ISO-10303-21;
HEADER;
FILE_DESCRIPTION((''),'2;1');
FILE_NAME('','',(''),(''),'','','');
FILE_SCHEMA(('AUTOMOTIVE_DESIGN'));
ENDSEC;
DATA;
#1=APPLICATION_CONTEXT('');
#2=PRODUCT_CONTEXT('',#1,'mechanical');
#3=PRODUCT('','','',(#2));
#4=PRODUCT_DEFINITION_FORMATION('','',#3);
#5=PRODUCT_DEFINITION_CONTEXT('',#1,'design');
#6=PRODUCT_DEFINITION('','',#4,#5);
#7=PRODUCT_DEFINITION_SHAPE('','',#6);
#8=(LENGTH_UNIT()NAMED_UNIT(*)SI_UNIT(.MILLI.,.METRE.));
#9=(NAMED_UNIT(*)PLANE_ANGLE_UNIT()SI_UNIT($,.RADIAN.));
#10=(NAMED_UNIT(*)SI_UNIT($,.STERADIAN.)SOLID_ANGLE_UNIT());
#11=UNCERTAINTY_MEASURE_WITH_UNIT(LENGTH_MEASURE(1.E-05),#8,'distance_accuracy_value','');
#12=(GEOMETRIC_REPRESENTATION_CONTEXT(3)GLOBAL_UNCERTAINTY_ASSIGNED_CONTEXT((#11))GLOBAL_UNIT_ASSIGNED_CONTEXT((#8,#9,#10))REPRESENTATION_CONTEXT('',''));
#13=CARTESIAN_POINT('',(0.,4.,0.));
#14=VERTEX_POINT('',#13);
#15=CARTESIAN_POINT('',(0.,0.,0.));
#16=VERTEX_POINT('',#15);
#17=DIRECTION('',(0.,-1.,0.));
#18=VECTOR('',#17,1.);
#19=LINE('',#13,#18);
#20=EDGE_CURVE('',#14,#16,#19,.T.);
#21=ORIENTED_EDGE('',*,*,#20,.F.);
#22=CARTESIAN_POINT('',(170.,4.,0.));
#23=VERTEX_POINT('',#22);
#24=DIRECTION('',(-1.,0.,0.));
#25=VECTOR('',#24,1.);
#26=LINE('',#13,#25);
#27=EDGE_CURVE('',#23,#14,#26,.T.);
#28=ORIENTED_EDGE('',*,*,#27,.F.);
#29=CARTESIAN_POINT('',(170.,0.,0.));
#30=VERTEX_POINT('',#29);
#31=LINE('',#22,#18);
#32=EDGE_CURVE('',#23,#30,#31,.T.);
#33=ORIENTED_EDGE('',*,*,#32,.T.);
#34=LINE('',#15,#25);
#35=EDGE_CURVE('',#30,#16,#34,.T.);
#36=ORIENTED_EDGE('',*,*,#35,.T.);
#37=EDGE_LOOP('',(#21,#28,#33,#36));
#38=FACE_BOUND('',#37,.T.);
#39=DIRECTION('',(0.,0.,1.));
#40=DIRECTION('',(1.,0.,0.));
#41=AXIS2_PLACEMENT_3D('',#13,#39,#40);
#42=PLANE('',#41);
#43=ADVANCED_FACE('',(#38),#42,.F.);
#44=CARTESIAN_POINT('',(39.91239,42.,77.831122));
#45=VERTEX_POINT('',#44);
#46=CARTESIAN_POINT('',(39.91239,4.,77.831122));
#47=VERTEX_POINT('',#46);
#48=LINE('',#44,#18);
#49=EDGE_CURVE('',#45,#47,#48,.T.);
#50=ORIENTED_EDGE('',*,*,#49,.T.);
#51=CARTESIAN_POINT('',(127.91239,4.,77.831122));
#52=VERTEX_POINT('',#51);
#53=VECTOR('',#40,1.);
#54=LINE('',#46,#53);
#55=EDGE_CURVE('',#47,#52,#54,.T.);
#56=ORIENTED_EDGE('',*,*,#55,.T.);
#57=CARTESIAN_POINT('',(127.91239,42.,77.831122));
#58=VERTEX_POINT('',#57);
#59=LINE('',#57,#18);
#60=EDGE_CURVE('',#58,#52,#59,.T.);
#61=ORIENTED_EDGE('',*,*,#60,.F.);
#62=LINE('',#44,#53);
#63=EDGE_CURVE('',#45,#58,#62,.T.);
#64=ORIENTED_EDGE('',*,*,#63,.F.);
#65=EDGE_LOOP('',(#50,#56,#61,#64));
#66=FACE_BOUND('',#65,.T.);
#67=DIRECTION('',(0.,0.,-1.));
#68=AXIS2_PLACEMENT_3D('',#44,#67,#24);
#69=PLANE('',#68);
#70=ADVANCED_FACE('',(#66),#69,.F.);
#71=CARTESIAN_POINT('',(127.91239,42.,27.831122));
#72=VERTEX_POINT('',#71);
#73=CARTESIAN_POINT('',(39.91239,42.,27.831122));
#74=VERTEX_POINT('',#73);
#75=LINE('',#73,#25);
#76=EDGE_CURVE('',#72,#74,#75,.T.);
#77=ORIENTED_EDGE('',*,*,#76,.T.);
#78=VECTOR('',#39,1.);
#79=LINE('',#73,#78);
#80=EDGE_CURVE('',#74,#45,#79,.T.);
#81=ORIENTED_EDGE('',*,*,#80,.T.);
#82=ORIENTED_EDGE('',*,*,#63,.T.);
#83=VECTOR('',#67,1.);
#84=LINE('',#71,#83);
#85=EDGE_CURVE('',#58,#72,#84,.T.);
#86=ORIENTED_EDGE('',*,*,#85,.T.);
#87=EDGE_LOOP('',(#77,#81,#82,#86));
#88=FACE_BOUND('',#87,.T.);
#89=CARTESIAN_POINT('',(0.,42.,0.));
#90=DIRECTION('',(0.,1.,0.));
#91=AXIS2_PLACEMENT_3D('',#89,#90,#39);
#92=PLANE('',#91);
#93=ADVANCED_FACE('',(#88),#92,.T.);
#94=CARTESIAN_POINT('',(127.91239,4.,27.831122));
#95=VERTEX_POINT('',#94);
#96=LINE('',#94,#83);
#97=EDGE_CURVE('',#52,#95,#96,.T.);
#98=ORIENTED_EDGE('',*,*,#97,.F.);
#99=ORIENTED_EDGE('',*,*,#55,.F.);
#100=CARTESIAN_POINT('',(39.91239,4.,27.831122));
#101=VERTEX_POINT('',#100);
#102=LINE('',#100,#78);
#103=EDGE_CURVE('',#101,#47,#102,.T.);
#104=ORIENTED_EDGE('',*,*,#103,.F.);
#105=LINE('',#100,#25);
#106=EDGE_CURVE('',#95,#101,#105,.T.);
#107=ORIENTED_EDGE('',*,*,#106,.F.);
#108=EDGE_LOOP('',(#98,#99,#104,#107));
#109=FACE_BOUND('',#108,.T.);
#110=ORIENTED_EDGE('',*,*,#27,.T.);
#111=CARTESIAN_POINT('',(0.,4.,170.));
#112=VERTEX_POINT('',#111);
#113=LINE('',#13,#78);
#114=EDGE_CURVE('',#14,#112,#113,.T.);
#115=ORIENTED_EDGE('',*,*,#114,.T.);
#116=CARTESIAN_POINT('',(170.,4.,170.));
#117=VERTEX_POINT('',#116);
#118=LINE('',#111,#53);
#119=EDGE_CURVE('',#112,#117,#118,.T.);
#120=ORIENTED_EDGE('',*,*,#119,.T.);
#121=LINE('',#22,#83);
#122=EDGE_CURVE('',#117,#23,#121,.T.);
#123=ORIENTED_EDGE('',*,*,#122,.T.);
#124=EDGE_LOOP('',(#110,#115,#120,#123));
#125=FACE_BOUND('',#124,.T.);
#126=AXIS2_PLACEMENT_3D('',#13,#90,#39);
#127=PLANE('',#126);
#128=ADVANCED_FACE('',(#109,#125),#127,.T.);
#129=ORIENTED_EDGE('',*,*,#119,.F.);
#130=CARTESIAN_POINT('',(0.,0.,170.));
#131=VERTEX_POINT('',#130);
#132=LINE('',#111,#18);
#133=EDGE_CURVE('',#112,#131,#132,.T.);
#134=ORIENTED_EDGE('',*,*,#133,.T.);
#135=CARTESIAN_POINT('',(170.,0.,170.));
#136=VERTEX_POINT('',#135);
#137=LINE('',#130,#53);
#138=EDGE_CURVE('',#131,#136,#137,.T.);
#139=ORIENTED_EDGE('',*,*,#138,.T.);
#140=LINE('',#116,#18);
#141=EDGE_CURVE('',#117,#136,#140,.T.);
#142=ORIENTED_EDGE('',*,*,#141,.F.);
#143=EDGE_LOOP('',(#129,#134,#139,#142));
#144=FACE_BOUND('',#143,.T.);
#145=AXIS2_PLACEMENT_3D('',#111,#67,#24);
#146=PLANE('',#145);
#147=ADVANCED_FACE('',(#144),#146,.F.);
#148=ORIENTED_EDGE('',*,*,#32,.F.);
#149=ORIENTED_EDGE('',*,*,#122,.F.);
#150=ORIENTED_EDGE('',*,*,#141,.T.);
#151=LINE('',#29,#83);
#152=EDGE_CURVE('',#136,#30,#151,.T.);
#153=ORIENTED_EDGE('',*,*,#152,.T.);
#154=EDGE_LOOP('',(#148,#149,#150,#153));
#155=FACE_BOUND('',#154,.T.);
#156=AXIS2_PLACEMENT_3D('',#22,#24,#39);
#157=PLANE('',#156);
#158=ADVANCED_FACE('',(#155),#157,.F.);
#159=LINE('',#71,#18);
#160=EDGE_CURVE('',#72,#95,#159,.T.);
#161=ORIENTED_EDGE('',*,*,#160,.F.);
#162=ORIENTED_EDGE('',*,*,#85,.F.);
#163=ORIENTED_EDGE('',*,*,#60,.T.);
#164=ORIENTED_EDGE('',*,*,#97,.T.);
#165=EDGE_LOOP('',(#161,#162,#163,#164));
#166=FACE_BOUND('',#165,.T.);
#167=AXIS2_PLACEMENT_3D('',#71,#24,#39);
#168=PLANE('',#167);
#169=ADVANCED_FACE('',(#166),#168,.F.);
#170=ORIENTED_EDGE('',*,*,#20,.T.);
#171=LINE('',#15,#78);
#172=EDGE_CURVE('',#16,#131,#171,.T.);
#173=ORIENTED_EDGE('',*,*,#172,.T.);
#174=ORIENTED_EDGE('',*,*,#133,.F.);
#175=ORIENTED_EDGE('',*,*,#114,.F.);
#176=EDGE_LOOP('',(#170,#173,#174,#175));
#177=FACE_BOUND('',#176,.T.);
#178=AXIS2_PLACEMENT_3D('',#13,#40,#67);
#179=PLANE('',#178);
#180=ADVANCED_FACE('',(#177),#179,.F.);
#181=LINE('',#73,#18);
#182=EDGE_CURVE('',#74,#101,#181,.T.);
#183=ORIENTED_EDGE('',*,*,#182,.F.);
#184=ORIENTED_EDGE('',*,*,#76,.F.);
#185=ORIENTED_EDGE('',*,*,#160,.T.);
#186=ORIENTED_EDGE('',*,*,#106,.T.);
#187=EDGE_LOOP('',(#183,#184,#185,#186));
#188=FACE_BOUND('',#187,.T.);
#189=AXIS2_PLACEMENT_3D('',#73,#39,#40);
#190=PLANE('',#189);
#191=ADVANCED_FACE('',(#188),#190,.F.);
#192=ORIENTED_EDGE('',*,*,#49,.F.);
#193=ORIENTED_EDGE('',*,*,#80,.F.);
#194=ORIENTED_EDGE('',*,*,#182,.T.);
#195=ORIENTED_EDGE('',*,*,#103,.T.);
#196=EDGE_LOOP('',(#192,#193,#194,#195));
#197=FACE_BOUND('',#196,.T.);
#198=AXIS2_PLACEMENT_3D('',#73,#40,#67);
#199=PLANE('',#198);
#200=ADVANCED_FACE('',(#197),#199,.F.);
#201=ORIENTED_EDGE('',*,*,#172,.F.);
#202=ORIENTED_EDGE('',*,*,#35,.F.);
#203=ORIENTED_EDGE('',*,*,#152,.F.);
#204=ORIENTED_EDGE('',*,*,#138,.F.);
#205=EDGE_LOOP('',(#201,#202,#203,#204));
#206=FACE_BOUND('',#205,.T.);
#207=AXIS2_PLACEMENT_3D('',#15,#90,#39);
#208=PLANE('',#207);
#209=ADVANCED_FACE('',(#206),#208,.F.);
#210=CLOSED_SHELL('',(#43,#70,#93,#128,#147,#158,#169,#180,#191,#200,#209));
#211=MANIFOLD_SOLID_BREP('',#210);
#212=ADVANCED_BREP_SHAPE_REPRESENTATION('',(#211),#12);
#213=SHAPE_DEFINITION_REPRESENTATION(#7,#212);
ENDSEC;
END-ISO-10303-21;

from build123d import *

# Parameters (mm, degrees)
SKETCH1_W           = 170
SKETCH1_H           = 170
BOSS_EXTRUDE1_DEPTH = 4
SKETCH2_W           = 88
SKETCH2_H           = 50
BOSS_EXTRUDE2_DEPTH = 38


with BuildPart() as part:
    # Sketch1 → Boss-Extrude1 (new body)
    with BuildSketch(Plane(origin=(0, 0, 0), x_dir=(1, 0, 0), z_dir=(0, 1, 0))):
        with Locations((85, -85)):
            Rectangle(SKETCH1_W, SKETCH1_H)
    extrude(amount=BOSS_EXTRUDE1_DEPTH)

    # Sketch2 → Boss-Extrude2 (add)
    with BuildSketch(Plane(origin=(0, 4, 0), x_dir=(1, 0, 0), z_dir=(0, 1, 0))):
        with Locations((83.912390146, -52.831121656)):
            Rectangle(SKETCH2_W, SKETCH2_H)
    extrude(amount=BOSS_EXTRUDE2_DEPTH)


solid = part.part
